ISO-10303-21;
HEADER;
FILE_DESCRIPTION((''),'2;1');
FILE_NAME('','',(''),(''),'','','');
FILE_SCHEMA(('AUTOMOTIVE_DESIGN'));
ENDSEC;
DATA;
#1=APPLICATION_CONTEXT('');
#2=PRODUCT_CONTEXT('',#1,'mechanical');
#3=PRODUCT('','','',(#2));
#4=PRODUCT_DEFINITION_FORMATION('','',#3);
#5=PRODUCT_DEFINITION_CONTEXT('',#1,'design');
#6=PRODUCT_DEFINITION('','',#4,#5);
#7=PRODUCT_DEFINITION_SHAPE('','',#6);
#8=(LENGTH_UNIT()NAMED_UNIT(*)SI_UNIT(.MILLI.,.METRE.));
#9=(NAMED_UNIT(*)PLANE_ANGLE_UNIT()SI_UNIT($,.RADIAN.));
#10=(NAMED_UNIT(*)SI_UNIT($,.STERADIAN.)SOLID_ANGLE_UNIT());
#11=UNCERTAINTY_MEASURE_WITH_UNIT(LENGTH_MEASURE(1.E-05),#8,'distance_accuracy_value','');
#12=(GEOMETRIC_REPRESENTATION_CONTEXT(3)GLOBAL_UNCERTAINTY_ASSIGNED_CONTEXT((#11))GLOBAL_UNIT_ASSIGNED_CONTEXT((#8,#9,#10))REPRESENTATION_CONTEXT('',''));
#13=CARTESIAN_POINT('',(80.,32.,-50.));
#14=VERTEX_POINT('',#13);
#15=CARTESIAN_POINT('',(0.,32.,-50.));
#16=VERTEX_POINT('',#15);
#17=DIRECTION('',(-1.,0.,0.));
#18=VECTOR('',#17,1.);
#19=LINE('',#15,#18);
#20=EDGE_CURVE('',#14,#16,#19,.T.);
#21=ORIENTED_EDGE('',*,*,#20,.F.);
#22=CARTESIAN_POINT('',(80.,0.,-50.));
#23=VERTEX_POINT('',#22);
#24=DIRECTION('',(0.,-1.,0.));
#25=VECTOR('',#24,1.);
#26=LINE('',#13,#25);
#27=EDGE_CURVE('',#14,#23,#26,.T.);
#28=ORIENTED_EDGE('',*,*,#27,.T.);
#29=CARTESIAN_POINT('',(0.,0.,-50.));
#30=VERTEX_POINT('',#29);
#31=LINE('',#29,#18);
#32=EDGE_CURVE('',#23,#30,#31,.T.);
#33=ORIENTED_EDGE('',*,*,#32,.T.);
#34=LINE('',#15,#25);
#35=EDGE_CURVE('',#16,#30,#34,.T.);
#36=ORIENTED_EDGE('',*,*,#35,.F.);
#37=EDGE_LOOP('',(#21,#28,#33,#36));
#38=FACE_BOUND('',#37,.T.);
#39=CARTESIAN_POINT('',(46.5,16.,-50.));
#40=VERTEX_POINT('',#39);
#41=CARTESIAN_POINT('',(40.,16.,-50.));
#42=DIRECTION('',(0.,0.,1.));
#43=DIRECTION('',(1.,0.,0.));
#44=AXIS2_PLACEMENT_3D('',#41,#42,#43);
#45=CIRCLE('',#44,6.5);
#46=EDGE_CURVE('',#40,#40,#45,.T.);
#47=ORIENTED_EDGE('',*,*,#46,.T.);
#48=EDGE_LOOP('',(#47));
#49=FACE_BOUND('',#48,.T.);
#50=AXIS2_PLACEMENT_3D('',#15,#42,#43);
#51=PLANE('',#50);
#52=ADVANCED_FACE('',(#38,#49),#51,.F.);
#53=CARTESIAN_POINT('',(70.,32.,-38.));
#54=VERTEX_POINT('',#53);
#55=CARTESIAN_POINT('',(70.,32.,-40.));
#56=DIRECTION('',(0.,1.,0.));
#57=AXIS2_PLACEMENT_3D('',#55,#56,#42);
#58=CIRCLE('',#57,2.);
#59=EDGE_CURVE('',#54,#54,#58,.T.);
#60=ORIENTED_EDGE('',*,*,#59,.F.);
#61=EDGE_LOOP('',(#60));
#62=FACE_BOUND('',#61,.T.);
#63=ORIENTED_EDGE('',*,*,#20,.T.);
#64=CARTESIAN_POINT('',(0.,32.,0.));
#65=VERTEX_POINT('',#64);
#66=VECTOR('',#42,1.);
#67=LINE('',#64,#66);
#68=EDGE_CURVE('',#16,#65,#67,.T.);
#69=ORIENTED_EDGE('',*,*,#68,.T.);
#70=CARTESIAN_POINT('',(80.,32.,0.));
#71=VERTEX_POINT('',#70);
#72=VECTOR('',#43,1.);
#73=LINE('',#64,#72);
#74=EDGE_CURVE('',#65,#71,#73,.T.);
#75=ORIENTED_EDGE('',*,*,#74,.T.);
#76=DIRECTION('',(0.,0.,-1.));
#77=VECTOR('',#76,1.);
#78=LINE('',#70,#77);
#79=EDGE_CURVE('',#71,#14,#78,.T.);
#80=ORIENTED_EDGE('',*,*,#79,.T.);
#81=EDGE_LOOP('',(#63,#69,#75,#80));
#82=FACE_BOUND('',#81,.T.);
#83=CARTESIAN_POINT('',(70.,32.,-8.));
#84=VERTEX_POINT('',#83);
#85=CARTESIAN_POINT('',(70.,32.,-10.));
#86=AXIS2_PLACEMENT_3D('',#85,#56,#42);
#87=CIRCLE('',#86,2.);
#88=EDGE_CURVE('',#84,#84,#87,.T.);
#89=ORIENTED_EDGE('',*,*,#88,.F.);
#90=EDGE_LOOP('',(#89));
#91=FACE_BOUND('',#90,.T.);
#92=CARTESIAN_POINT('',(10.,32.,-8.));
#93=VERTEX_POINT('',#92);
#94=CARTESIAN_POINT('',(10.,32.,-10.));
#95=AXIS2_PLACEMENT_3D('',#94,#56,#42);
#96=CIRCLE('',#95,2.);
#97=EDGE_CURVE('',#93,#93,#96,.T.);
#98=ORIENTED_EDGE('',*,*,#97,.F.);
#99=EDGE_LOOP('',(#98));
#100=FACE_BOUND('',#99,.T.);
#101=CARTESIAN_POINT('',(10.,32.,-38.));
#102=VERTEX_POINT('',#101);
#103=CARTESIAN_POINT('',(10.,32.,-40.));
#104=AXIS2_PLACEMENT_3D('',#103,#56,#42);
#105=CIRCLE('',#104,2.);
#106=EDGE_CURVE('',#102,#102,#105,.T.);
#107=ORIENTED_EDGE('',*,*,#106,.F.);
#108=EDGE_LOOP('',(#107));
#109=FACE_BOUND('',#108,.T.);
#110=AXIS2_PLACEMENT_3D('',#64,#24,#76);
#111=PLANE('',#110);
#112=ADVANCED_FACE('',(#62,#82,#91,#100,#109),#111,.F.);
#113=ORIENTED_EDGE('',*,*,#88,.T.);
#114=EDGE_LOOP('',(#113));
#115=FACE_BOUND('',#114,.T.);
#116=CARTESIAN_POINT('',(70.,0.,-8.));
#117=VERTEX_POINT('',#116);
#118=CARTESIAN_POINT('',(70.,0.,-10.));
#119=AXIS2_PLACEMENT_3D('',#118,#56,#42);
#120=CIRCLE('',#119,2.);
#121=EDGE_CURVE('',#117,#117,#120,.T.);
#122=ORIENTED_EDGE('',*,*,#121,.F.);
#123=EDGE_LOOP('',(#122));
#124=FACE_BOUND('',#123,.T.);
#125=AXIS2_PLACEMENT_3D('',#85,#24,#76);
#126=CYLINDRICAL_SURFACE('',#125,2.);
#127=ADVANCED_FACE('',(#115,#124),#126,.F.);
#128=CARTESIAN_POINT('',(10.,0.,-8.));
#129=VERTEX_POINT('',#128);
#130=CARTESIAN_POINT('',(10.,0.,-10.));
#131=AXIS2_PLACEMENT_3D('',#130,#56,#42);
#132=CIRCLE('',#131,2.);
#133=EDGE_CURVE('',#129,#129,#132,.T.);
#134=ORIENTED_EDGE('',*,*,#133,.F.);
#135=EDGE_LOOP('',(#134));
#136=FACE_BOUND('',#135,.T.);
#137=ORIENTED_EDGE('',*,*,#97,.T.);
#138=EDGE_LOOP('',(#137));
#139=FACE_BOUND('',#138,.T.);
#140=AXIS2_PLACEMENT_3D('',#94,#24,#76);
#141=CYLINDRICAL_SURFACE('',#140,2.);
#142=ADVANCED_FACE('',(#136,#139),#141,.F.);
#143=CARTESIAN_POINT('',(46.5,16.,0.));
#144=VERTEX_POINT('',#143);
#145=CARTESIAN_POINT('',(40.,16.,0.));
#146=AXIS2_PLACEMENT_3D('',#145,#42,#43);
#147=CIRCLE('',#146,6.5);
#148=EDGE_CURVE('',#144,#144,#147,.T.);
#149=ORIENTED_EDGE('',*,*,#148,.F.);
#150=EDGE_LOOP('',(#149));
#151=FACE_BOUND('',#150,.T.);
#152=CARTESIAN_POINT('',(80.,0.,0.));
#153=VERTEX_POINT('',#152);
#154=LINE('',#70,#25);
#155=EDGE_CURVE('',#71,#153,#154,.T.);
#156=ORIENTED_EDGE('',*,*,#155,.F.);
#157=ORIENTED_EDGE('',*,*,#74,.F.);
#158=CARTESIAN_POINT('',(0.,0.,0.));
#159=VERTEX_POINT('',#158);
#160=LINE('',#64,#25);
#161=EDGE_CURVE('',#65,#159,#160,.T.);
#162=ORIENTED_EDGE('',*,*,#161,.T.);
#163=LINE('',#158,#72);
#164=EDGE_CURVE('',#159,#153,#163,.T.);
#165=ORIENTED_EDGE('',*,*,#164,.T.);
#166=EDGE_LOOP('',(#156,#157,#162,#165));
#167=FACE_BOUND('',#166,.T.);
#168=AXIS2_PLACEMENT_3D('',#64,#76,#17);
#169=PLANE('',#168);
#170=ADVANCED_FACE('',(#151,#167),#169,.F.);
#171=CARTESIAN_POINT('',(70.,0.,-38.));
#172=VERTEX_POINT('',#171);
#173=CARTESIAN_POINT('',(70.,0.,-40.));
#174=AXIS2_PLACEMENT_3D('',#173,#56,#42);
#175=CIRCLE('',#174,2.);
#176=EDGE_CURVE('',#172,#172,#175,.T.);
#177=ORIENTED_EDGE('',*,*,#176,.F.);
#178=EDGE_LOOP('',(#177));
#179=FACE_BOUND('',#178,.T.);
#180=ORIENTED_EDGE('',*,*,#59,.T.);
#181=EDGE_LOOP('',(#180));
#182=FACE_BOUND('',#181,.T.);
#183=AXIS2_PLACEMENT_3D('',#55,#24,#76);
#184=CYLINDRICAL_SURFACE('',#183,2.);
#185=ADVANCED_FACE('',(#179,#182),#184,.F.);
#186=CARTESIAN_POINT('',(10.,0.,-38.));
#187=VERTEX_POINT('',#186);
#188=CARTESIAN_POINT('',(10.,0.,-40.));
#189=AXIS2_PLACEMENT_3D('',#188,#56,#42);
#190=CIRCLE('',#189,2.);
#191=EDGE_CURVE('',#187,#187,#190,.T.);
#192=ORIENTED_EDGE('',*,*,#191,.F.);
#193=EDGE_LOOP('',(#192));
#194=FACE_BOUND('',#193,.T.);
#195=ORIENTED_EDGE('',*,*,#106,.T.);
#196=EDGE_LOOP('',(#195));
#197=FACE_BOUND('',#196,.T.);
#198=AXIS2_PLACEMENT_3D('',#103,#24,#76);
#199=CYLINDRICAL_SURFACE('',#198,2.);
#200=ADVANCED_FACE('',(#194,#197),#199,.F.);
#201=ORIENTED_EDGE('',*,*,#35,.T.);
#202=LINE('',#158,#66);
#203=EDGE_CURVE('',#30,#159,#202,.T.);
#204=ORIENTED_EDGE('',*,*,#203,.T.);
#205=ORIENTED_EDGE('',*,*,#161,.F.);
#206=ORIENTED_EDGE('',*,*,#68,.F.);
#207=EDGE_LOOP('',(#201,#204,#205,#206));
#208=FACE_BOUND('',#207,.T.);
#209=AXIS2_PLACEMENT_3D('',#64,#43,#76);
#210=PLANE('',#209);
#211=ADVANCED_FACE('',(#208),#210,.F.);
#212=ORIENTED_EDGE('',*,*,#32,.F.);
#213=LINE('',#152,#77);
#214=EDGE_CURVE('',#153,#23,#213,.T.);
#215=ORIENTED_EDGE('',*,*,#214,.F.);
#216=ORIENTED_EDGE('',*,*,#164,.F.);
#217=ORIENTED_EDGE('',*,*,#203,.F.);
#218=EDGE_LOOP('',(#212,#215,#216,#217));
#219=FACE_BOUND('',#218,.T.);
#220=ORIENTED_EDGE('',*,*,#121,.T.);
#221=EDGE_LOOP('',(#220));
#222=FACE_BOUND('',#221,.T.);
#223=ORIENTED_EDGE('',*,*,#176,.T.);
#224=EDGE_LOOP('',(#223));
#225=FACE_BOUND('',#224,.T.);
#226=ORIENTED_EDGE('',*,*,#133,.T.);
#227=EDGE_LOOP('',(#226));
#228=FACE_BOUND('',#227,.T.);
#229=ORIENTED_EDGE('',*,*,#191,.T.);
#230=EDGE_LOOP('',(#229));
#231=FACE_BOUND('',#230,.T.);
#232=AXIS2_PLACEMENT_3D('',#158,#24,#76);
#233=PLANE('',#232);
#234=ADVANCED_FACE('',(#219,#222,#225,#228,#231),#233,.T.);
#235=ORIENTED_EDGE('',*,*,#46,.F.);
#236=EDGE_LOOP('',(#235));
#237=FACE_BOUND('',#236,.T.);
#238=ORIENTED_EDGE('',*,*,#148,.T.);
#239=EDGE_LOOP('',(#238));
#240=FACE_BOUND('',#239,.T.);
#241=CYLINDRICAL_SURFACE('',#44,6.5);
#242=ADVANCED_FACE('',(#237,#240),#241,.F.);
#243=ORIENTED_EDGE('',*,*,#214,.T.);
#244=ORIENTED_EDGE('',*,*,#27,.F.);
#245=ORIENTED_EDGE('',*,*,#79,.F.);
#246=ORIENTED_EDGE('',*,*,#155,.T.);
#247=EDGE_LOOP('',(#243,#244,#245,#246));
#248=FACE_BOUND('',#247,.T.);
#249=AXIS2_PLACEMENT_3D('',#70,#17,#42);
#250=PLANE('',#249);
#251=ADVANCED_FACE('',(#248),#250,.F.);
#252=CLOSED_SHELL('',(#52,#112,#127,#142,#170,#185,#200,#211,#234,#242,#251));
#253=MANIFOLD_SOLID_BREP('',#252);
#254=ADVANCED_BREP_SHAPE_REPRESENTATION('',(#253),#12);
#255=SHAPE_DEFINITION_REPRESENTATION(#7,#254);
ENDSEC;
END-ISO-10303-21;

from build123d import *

# Parameters (mm, degrees)
SKETCH1_W           = 80
SKETCH1_H           = 50
SKETCH1_R           = 2
BOSS_EXTRUDE1_DEPTH = 32
SKETCH2_R           = 6.5
CUT_EXTRUDE1_DEPTH  = 51


with BuildPart() as part:
    # Sketch1 → Boss-Extrude1 (new body)
    with BuildSketch(Plane(origin=(0, 0, 0), x_dir=(1, 0, 0), z_dir=(0, 1, 0))):
        with Locations((40, 25)):
            Rectangle(SKETCH1_W, SKETCH1_H)
        with Locations((10, 40)):
            Circle(SKETCH1_R, mode=Mode.SUBTRACT)
        with Locations((70, 40)):
            Circle(SKETCH1_R, mode=Mode.SUBTRACT)
        with Locations((70, 10)):
            Circle(SKETCH1_R, mode=Mode.SUBTRACT)
        with Locations((10, 10)):
            Circle(SKETCH1_R, mode=Mode.SUBTRACT)
    extrude(amount=BOSS_EXTRUDE1_DEPTH)

    # Sketch2 → Cut-Extrude1 (cut, through all)
    with BuildSketch(Plane.XY):
        with Locations((40, 16)):
            Circle(SKETCH2_R)
    extrude(amount=-CUT_EXTRUDE1_DEPTH, mode=Mode.SUBTRACT)


solid = part.part
